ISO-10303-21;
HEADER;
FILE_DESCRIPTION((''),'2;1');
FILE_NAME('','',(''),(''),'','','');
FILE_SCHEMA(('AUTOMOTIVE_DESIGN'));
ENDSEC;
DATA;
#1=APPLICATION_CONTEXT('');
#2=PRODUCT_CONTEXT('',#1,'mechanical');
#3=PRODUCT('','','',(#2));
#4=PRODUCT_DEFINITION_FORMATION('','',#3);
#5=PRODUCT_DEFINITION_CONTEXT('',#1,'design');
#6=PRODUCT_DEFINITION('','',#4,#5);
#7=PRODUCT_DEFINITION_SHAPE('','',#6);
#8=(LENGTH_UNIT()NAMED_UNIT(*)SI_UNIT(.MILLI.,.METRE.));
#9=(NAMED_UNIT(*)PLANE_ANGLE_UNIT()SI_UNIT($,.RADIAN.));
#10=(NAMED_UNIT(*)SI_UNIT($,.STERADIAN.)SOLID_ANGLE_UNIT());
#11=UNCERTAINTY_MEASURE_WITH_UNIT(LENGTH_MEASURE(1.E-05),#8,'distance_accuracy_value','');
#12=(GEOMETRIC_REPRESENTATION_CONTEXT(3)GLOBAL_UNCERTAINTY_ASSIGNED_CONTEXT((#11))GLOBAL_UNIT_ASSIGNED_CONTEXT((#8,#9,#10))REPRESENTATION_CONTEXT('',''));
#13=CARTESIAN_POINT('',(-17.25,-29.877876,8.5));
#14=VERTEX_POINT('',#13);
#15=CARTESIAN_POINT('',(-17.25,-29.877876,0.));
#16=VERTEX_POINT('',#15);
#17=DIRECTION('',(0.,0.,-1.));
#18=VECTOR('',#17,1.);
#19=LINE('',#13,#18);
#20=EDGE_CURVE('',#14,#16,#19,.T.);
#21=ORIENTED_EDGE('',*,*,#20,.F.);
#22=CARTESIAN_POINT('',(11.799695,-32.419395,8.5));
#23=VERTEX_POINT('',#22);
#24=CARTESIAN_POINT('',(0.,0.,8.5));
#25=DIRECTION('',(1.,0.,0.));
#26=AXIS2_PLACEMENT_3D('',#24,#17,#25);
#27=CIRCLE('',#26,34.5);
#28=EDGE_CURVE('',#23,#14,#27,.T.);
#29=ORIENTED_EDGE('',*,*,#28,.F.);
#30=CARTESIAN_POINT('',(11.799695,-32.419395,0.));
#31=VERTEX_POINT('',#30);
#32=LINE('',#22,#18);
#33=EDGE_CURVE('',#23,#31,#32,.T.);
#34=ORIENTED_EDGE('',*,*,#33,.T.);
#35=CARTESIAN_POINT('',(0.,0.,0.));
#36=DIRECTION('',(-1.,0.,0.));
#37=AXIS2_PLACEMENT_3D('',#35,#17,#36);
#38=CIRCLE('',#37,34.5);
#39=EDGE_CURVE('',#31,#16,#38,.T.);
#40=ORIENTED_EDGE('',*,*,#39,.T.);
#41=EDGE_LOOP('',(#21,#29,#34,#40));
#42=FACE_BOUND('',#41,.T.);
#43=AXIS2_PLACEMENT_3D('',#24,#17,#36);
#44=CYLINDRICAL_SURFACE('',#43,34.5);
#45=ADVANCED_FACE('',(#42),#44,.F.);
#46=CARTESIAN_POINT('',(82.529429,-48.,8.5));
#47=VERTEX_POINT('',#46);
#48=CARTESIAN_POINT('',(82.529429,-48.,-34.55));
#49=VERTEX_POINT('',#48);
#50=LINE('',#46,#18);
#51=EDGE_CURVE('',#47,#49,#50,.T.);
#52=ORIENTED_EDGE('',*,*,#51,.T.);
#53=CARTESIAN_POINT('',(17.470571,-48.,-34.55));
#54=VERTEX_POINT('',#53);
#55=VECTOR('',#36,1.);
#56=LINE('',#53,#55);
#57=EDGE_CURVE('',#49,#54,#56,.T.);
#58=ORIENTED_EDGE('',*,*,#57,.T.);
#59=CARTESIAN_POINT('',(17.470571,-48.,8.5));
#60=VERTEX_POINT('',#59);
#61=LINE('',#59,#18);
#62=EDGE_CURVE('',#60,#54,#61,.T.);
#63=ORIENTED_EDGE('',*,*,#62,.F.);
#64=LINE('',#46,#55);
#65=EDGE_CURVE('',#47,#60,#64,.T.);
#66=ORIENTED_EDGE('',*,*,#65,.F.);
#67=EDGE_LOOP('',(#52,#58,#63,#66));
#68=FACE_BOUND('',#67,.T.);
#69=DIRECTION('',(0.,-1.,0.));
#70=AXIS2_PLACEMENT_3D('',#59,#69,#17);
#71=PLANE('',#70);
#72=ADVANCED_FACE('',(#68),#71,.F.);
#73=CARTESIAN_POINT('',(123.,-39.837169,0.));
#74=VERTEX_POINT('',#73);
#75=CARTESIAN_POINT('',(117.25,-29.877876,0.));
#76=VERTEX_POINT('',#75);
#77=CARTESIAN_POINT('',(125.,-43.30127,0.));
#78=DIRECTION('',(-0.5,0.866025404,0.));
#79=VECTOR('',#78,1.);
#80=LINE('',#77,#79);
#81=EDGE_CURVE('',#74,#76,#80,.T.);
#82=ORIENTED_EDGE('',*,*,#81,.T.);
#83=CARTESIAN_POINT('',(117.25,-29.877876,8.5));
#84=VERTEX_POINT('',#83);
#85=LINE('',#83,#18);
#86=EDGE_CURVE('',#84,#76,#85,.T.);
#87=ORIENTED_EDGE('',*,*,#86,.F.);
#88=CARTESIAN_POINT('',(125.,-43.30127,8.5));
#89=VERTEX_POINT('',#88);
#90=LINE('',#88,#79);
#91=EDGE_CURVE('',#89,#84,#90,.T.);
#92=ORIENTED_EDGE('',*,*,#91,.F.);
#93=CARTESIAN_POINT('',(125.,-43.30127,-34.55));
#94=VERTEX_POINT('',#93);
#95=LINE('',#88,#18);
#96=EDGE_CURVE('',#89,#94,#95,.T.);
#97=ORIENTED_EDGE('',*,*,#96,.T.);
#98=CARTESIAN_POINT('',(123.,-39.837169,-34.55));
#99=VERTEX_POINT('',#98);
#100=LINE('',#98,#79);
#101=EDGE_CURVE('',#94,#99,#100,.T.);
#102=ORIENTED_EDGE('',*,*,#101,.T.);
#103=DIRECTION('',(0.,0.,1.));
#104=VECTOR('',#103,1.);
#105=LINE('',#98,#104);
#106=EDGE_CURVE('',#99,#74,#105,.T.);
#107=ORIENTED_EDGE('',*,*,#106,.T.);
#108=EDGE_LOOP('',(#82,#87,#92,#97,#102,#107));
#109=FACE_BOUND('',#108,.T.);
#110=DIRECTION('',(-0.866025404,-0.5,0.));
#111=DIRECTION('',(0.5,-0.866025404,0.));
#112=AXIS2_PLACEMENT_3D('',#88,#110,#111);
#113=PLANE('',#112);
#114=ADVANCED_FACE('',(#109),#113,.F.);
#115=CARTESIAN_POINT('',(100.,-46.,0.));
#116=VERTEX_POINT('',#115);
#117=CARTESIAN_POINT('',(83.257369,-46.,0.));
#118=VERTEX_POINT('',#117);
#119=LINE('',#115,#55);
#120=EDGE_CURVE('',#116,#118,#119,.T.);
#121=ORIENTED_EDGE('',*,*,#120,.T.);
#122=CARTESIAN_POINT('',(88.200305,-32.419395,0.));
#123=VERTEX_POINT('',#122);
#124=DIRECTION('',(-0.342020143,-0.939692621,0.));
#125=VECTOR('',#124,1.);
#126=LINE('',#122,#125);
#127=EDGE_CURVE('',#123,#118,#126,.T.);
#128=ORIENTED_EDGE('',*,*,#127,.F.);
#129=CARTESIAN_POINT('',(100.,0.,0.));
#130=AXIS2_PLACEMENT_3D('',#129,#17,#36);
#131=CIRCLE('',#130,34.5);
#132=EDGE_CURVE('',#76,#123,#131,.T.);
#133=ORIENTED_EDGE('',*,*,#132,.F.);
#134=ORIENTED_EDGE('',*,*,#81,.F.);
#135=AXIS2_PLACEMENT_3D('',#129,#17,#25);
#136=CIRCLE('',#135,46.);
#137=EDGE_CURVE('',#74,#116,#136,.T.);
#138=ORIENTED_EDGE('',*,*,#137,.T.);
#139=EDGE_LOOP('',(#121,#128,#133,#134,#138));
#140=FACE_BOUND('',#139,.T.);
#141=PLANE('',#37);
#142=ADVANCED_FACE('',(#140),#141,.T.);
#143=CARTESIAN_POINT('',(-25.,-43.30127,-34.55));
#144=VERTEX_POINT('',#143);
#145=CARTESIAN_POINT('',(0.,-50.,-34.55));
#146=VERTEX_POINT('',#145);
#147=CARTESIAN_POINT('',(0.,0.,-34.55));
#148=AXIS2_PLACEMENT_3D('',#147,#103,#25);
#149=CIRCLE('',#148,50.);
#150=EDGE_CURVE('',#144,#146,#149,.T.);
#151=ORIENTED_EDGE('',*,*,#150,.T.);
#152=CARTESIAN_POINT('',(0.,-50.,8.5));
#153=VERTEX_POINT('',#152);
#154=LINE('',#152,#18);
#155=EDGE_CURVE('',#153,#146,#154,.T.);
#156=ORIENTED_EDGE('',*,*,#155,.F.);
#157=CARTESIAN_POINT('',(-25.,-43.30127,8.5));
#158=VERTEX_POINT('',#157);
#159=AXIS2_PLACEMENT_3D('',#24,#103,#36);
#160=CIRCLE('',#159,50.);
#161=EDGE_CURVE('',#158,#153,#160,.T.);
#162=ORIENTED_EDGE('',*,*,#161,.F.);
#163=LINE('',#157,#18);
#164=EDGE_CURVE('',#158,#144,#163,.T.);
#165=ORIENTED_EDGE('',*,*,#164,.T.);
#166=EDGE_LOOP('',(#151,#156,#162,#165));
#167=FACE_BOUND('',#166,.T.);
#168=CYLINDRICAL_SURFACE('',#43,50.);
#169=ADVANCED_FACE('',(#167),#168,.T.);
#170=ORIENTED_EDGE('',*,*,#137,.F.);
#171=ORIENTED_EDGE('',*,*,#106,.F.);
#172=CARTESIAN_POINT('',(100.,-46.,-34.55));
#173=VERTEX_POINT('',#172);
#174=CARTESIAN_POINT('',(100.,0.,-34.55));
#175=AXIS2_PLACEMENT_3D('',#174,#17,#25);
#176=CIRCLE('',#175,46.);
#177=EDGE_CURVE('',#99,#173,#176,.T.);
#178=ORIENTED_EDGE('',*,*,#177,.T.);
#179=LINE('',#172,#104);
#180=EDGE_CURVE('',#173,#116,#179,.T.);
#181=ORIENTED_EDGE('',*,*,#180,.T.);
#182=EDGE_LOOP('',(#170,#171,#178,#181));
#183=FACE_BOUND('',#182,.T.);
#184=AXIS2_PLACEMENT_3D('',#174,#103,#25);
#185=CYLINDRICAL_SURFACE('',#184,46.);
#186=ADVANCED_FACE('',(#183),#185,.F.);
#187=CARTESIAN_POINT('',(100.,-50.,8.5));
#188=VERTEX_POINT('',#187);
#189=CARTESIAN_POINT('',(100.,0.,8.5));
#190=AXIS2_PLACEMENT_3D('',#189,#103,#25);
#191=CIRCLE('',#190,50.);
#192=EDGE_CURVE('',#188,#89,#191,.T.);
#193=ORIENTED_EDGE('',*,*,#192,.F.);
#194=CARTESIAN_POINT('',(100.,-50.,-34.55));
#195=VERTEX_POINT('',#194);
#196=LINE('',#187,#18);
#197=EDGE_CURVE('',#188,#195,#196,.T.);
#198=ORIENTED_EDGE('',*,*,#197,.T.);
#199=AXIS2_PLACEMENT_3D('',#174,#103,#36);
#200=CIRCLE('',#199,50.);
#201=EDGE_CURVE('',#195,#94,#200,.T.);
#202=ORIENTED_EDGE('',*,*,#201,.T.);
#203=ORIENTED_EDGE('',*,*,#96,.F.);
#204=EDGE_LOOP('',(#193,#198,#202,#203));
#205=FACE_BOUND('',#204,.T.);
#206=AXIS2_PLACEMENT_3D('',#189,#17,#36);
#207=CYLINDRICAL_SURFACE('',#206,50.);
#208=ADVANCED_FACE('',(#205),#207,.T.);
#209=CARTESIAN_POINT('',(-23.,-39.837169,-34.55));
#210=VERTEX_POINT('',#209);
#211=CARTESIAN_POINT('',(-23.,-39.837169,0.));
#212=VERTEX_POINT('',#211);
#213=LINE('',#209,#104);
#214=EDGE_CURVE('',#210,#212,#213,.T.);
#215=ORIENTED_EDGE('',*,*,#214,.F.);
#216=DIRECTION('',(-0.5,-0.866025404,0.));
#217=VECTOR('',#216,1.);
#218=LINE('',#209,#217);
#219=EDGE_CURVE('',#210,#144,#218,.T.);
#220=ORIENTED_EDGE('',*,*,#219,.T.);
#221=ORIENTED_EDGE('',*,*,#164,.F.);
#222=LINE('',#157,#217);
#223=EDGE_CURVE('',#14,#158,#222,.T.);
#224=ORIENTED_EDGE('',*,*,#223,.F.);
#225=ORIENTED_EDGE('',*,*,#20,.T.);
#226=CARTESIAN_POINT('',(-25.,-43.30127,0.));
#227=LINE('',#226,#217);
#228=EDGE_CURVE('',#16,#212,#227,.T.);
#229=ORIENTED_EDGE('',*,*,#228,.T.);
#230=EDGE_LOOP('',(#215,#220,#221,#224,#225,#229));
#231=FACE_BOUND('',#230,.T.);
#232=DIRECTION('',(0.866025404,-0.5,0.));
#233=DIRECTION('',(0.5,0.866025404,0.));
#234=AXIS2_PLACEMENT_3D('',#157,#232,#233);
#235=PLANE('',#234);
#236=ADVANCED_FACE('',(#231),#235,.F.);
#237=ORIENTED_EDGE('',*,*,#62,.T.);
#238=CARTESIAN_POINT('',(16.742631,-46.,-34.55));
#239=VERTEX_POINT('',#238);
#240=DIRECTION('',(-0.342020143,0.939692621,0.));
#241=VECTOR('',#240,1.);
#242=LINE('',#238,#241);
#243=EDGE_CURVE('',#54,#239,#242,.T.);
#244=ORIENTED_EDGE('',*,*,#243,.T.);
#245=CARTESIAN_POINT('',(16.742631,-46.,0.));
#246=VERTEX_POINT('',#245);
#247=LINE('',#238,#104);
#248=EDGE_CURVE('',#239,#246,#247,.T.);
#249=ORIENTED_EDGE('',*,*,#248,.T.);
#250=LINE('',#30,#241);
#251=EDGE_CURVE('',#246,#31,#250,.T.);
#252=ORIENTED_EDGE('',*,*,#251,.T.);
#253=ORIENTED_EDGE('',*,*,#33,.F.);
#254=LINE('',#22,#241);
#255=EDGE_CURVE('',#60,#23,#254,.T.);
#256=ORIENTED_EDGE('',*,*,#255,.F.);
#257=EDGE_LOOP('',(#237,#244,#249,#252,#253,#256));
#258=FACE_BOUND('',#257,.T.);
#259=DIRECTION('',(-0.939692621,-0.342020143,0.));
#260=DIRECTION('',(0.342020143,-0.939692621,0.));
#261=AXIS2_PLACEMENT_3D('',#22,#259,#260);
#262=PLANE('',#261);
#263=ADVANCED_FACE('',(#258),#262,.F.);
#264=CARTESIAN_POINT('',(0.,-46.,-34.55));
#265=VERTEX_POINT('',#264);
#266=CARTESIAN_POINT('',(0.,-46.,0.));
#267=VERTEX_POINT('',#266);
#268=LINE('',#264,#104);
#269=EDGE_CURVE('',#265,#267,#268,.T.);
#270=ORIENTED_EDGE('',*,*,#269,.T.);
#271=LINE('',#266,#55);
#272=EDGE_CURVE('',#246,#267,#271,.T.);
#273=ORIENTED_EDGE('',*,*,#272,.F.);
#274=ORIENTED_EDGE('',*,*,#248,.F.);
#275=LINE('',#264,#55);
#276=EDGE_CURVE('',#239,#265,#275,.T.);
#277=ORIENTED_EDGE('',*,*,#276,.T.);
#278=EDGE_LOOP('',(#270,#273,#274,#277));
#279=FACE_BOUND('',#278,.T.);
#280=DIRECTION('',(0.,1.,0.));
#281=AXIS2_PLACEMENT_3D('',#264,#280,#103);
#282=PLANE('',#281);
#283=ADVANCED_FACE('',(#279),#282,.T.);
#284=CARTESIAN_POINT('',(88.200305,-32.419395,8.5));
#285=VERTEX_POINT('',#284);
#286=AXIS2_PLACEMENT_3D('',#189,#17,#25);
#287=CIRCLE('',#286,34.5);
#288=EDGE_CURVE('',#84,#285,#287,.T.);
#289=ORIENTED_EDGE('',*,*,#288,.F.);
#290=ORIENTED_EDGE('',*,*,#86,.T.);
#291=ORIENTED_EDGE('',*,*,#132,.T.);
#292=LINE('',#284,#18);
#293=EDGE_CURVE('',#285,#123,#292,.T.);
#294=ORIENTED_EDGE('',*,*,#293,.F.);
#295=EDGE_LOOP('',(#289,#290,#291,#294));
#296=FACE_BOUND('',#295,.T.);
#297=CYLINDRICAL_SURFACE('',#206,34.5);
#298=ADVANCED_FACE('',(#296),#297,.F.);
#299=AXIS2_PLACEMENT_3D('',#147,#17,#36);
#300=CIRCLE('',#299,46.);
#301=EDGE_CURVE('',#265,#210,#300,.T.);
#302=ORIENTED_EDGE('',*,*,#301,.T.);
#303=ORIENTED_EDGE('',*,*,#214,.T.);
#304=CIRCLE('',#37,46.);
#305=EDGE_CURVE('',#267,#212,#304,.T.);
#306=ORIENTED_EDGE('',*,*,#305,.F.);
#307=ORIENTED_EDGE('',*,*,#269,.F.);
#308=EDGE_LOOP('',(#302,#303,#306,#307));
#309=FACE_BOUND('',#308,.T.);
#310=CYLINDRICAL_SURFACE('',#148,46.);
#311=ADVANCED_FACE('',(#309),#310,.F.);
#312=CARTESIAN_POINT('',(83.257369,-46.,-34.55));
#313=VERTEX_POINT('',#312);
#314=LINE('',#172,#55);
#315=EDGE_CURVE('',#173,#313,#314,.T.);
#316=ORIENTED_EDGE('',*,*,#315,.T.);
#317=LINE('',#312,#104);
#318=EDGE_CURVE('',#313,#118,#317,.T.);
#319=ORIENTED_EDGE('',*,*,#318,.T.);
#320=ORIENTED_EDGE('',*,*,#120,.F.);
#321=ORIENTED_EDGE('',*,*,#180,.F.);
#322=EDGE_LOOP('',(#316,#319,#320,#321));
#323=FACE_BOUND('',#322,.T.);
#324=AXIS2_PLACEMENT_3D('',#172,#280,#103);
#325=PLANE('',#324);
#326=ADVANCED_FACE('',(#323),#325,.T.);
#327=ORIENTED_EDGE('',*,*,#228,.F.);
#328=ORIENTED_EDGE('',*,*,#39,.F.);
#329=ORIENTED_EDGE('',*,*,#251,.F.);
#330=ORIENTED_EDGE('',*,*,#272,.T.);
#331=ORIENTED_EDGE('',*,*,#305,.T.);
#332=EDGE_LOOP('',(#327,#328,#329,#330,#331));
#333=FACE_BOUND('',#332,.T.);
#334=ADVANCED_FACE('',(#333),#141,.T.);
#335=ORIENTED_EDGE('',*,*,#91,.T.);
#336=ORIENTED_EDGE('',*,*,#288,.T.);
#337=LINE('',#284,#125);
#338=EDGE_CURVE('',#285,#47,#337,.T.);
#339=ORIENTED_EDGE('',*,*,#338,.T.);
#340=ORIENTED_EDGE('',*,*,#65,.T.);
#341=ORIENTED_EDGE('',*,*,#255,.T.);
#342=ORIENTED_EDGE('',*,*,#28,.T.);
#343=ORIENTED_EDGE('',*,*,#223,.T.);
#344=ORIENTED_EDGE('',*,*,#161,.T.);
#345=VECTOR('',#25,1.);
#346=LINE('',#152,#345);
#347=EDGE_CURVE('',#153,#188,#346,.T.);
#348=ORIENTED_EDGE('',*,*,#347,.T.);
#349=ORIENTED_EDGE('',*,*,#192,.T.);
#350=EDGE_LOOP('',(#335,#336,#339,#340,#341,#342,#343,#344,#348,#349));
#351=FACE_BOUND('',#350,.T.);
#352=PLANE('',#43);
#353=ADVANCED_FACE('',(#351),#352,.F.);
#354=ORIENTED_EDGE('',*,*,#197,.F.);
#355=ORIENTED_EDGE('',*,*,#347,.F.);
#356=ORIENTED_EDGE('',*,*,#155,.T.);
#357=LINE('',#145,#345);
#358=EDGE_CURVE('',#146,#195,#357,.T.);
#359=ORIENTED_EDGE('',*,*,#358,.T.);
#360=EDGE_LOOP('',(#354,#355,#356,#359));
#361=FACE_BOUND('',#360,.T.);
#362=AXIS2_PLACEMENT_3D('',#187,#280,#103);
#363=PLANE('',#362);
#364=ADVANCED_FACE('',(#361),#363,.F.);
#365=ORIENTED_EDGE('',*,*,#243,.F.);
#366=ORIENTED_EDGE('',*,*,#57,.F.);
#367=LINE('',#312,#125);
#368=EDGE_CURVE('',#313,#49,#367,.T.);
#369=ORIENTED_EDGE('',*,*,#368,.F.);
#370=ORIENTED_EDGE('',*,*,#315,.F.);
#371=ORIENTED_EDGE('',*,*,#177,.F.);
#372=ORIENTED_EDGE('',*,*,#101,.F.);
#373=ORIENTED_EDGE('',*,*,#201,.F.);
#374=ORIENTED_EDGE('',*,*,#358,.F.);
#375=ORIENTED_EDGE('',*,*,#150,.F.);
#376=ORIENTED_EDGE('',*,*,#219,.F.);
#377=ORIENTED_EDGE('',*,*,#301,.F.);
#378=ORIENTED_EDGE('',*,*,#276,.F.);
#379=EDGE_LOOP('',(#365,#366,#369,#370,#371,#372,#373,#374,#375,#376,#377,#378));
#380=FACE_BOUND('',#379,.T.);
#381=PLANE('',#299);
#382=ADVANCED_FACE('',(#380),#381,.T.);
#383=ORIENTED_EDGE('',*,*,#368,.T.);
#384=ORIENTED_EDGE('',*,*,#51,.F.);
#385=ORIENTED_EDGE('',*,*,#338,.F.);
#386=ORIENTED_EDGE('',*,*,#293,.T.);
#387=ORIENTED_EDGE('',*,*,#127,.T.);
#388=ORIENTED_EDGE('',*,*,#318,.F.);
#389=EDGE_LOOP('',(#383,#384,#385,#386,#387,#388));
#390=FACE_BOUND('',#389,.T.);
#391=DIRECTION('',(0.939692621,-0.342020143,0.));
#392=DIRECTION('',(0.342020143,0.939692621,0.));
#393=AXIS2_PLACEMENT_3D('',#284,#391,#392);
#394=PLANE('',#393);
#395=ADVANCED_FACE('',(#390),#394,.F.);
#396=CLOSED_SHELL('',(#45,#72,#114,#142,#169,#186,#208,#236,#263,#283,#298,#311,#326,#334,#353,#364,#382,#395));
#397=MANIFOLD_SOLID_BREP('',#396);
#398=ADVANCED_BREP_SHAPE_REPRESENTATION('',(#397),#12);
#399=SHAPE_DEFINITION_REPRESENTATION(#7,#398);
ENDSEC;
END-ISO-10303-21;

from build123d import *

# Parameters (mm, degrees)
EXTRUDE_1_DEPTH = 8.5
EXTRUDE_START   = -34.55
EXTRUDE_5_DEPTH = 34.55


with BuildPart() as part:
    # 草图1 → 凸台-拉伸1 (new body)
    with BuildSketch(Plane.XY):
        with BuildLine():
            Line((0, -50), (25, -50))
            Line((25, -50), (75, -50))
            Line((75, -50), (100, -50))
            ThreePointArc((100, -50), (112.940952255, -48.296291314), (125, -43.301270189))
            Line((125, -43.301270189), (117.25, -29.877876431))
            ThreePointArc((117.25, -29.877876431), (108.929257056, -33.324441007), (100, -34.5))
            ThreePointArc((100, -34.5), (94.00913787, -33.975867479), (88.200305055, -32.419395417))
            Line((88.200305055, -32.419395417), (82.529428755, -48))
            Line((82.529428755, -48), (75, -48))
            Line((75, -48), (25, -48))
            Line((25, -48), (17.470571245, -48))
            Line((17.470571245, -48), (11.799694945, -32.419395417))
            ThreePointArc((11.799694945, -32.419395417), (5.99086213, -33.975867479), (0, -34.5))
            ThreePointArc((0, -34.5), (-8.929257056, -33.324441007), (-17.25, -29.877876431))
            Line((-17.25, -29.877876431), (-25, -43.301270189))
            ThreePointArc((-25, -43.301270189), (-12.940952255, -48.296291314), (0, -50))
        make_face()
    extrude(amount=EXTRUDE_1_DEPTH)

    # 草图3 → 凸台-拉伸5 (add)
    with BuildSketch(Plane.XY.offset(EXTRUDE_START)):
        with BuildLine():
            Line((-23, -39.837168574), (-25, -43.301270189))
            ThreePointArc((-25, -43.301270189), (-12.940952255, -48.296291314), (0, -50))
            Line((0, -50), (100, -50))
            ThreePointArc((100, -50), (112.940952255, -48.296291314), (125, -43.301270189))
            Line((125, -43.301270189), (123, -39.837168574))
            ThreePointArc((123, -39.837168574), (111.905676075, -44.432588009), (100, -46))
            Line((100, -46), (83.257369224, -46))
            Line((83.257369224, -46), (82.529428755, -48))
            Line((82.529428755, -48), (17.470571245, -48))
            Line((17.470571245, -48), (16.742630776, -46))
            Line((16.742630776, -46), (0, -46))
            ThreePointArc((0, -46), (-11.905676075, -44.432588009), (-23, -39.837168574))
        make_face()
    extrude(amount=EXTRUDE_5_DEPTH)


solid = part.part
